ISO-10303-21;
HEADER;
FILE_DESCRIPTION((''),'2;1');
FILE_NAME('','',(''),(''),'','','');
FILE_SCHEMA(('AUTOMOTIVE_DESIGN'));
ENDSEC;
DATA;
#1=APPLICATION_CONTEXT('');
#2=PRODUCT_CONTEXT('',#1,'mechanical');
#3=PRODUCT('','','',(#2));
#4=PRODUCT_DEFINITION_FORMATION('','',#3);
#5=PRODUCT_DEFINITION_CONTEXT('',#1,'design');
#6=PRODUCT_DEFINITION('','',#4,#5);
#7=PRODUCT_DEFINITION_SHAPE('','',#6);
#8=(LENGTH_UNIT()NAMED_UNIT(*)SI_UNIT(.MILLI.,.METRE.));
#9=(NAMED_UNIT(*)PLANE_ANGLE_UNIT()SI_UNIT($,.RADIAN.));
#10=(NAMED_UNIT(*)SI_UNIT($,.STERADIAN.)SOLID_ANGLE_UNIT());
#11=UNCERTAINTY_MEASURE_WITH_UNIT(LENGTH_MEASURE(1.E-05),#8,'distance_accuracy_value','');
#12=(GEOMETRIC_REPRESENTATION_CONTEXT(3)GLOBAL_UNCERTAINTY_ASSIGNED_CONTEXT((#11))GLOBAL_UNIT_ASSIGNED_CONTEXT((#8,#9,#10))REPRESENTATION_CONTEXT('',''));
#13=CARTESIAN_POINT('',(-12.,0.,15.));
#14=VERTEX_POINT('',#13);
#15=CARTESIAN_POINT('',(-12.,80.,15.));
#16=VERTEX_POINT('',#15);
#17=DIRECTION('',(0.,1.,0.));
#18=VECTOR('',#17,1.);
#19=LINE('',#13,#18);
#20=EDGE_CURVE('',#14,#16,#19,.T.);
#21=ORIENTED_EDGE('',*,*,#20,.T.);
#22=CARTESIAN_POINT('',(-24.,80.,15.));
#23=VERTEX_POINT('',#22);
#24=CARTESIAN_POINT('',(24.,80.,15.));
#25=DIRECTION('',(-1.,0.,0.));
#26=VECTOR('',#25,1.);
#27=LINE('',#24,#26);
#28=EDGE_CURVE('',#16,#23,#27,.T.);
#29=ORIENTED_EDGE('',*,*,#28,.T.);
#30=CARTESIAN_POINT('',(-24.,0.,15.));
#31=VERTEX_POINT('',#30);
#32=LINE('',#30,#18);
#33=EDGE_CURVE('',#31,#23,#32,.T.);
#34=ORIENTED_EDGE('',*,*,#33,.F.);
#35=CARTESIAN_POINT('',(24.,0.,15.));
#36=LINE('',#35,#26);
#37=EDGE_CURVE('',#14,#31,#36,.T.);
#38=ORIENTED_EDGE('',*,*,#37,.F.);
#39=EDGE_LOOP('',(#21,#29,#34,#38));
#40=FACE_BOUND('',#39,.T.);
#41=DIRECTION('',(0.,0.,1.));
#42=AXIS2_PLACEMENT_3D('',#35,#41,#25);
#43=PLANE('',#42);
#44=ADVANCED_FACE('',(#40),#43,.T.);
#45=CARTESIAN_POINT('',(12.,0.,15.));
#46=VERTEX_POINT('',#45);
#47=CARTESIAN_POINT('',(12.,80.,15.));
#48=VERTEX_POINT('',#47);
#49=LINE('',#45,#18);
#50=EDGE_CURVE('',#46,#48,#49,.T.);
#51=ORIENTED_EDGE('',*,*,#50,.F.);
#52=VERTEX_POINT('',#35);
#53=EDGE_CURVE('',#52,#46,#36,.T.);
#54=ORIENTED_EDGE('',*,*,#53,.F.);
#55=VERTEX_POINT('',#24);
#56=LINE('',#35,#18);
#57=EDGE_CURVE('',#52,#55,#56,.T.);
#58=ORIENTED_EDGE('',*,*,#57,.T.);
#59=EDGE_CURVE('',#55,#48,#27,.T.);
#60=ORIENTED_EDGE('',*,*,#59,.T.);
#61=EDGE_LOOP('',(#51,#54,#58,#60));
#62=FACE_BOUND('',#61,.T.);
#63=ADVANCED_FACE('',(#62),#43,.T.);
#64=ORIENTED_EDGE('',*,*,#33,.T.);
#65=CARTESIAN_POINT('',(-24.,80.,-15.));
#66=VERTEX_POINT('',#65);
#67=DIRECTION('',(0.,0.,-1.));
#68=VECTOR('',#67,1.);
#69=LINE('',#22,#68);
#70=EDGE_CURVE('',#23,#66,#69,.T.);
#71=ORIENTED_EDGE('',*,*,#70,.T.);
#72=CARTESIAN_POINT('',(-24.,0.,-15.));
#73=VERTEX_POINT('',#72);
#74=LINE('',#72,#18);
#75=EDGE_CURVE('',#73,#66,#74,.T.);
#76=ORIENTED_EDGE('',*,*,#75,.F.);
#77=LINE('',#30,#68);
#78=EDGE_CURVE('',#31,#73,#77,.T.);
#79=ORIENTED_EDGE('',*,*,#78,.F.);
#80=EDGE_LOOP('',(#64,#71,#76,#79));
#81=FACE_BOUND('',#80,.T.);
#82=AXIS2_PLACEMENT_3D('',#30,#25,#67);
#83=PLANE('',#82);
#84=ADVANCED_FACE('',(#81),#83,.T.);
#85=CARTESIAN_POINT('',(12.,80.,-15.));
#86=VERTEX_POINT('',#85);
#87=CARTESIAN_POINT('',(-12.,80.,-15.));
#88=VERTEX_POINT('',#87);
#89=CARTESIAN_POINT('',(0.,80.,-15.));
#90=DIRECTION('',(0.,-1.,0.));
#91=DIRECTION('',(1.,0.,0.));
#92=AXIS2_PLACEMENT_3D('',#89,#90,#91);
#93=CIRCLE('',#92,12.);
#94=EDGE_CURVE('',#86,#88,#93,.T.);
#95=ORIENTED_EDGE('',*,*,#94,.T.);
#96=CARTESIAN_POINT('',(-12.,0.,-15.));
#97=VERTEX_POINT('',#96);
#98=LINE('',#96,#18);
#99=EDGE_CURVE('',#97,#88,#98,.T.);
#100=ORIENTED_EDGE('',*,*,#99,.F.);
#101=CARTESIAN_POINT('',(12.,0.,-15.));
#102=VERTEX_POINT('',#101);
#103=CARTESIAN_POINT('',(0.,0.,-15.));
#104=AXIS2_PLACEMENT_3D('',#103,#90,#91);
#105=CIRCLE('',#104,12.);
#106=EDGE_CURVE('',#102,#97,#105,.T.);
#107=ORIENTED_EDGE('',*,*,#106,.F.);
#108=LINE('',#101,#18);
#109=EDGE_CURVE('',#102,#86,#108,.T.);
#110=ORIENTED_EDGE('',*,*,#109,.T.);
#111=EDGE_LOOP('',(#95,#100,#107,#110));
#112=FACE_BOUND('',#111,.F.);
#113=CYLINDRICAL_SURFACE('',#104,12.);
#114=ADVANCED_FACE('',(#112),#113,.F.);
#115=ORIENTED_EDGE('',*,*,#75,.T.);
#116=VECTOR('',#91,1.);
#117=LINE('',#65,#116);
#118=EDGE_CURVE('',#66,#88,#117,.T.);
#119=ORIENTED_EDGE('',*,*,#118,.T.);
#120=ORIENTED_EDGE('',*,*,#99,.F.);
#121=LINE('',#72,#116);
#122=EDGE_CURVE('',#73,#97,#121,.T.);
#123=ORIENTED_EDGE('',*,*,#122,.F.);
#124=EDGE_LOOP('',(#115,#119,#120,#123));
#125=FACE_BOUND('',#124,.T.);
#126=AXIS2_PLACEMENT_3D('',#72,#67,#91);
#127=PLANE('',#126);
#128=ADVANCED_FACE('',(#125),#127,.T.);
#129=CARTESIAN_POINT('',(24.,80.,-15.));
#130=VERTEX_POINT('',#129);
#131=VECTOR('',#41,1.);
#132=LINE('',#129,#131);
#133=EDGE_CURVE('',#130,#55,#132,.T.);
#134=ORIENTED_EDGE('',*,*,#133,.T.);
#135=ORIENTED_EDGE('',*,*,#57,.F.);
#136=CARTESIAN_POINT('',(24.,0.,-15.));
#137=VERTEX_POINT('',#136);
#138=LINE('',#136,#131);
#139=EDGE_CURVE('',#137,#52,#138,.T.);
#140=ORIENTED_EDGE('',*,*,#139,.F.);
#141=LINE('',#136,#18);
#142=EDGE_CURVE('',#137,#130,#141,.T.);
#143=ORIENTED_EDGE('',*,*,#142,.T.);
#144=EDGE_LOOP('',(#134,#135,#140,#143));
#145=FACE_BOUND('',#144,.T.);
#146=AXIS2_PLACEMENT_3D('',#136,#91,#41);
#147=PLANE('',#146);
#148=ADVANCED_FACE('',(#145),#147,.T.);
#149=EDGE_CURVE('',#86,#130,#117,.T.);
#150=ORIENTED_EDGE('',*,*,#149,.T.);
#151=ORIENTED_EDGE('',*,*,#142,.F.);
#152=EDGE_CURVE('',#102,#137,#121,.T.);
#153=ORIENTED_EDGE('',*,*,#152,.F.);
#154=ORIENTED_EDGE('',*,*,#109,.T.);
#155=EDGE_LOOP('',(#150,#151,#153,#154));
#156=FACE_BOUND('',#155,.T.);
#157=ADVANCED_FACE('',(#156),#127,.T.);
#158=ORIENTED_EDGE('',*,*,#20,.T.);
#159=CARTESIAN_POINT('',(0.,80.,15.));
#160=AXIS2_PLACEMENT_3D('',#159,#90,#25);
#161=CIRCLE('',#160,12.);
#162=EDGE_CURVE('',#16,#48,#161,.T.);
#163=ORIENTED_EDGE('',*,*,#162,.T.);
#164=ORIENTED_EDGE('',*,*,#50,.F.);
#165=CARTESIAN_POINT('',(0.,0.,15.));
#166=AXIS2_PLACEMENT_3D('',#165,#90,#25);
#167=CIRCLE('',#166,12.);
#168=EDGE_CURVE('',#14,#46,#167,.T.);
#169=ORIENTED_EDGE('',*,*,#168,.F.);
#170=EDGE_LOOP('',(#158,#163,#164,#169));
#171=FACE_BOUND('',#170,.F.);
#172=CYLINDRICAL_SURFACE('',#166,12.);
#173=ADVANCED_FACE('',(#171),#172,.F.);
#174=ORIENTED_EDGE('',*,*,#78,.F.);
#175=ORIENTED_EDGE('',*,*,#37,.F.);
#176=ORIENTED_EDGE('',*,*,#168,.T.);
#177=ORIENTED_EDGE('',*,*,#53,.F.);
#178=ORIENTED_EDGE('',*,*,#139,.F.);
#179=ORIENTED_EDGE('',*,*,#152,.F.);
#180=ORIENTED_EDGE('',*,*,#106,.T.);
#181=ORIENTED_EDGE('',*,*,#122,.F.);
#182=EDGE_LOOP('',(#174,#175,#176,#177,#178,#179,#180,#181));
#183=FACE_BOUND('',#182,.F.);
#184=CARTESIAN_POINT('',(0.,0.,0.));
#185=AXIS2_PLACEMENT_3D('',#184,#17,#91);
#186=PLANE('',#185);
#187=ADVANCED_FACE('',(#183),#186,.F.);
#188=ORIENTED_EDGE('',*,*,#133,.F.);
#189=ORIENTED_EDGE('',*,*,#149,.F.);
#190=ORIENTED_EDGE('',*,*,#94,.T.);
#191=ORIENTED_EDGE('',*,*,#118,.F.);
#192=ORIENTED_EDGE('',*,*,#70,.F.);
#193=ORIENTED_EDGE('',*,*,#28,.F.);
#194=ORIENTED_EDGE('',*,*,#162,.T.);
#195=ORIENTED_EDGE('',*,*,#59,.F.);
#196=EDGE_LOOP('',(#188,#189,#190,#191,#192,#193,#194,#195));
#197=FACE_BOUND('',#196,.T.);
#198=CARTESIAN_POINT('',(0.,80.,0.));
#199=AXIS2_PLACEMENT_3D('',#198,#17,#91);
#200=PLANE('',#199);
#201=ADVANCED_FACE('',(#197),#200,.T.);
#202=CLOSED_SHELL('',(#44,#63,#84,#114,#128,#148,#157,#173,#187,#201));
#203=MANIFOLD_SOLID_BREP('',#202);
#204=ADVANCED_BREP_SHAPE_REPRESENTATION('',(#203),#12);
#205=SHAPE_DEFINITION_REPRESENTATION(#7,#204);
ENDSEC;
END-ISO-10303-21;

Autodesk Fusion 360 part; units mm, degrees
sketch "Sketch1" plane through (0, 0, 0) normal (0, 0, 1) x (1, 0, 0)
sketch "Sketch2" plane through (0, 0, 0) normal (0, 1, 0) x (1, 0, 0)
  line L0 (24, -15) -> (-24, -15)
  line L1 (-24, -15) -> (-24, 15)
  line L2 (-24, 15) -> (24, 15)
  line L3 (24, 15) -> (24, -15)
  line L4 (24, -15) -> (-24, 15) construction
  line L5 (-24, -15) -> (24, 15) construction
  dimension "d3" = 48
  dimension "d4" = 30
extrude "Extrude1" add sketch "Sketch2" along normal blind 80
sketch "Sketch3" plane through (0, 0, 0) normal (0, -1, 0) x (1, 0, 0)
  line L0 (-24, -15) -> (24, -15)
  line L1 (24, -15) -> (24, 15)
  line L2 (24, 15) -> (-24, 15)
  line L3 (-24, 15) -> (-24, -15)
  arc A0 (-12, 15) -> (12, 15) centre (0, 15) ccw
  arc A1 (12, -15) -> (-12, -15) centre (0, -15) ccw
  line L4 (-12, -15) -> (12, -15)
  line L5 (12, 15) -> (-12, 15)
  dimension "d7" = 12
  dimension "d8" = 12
extrude "Extrude2" cut sketch "Sketch3" against normal blind 80 contours L0 A1 L4 | L2 A0 L5
